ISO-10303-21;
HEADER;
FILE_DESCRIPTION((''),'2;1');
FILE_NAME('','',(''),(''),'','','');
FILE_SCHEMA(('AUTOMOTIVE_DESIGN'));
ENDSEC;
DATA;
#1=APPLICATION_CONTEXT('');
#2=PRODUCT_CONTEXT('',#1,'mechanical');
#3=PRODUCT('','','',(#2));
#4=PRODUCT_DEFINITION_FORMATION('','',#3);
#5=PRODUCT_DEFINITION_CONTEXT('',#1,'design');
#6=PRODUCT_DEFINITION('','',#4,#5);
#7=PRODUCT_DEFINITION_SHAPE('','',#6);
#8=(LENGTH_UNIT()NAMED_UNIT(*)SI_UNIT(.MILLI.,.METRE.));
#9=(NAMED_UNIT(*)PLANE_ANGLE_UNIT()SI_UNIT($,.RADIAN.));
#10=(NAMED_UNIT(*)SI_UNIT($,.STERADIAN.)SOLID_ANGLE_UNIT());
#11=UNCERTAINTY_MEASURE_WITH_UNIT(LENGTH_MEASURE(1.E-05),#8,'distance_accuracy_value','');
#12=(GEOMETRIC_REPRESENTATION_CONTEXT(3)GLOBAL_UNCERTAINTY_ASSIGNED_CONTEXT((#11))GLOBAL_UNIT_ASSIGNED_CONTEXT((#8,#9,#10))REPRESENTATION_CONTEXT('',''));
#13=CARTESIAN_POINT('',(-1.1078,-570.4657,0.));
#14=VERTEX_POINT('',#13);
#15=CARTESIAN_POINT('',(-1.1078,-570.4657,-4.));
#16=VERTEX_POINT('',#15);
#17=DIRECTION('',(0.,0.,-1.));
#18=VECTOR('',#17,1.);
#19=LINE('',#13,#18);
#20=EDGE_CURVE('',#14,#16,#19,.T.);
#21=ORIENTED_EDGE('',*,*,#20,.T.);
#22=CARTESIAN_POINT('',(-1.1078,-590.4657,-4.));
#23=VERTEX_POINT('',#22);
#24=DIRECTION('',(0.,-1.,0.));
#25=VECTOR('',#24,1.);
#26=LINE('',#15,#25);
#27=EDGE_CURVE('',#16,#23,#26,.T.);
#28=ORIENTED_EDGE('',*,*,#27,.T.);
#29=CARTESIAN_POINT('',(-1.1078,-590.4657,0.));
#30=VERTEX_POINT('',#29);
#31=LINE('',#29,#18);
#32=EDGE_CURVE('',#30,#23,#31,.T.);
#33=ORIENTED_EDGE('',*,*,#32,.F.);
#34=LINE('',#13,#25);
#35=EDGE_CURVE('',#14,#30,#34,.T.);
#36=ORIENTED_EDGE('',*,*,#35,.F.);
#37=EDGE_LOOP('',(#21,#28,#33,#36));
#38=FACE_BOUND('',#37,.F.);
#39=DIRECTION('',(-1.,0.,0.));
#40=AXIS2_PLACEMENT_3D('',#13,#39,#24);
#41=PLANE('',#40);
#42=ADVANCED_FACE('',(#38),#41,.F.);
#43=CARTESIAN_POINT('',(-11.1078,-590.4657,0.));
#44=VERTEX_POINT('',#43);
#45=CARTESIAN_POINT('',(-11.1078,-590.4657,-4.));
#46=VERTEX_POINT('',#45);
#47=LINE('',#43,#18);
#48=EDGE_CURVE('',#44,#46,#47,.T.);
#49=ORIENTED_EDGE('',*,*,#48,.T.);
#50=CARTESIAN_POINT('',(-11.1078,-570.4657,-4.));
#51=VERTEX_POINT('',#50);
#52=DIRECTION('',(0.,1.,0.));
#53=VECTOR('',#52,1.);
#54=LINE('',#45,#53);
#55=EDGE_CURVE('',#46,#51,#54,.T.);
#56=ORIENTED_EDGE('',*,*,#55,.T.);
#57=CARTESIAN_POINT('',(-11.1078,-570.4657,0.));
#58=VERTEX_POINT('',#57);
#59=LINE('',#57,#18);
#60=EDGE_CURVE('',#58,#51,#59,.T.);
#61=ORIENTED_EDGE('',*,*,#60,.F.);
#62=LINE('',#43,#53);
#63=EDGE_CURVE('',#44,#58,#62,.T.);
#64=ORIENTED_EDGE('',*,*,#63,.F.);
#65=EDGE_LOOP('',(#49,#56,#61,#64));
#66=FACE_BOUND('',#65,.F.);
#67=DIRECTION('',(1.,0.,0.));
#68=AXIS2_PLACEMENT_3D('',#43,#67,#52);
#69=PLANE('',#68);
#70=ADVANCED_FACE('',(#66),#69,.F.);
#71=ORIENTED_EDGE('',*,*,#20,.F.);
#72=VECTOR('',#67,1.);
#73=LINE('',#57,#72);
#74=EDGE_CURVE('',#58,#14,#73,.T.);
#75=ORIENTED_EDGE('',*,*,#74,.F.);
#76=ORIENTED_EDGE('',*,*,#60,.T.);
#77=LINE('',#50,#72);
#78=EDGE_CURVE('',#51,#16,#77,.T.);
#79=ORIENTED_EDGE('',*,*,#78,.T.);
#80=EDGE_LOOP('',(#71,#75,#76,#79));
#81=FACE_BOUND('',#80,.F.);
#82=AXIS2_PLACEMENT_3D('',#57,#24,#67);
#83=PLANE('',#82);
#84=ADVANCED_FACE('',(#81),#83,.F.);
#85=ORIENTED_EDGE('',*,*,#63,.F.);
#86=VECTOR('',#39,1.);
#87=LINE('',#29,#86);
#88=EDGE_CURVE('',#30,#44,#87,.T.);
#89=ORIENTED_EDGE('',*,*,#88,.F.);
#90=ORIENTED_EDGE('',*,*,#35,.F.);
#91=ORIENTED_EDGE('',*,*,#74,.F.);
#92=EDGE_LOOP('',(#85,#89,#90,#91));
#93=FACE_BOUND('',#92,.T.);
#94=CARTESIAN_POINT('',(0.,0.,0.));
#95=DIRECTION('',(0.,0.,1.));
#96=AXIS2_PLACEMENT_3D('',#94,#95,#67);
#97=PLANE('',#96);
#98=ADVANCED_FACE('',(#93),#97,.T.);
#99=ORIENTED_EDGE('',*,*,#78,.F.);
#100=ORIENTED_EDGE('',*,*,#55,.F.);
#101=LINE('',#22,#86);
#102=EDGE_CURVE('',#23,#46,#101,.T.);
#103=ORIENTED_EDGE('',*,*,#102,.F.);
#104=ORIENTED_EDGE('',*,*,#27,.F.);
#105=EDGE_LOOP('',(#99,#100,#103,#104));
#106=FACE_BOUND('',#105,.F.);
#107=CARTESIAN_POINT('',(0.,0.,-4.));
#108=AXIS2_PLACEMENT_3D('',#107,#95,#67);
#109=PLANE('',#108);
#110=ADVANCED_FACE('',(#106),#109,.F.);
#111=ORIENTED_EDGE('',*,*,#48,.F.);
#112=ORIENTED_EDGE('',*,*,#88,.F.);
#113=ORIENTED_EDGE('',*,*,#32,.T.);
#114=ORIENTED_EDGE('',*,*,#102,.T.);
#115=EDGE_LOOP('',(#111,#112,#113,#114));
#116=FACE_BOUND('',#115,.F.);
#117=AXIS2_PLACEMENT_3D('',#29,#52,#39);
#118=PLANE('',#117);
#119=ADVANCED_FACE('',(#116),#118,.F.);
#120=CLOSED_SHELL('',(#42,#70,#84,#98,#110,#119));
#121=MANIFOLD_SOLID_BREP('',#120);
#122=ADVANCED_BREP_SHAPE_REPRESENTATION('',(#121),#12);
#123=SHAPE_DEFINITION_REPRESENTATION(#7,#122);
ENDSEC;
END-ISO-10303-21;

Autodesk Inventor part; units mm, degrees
ref_plane "YZ Plane" through (0, 0, 0) normal (1, 0, 0) x (0, 1, 0)
ref_plane "XZ Plane" through (0, 0, 0) normal (0, 1, 0) x (-1, 0, 0)
ref_plane "XY Plane" through (0, 0, 0) normal (0, 0, 1) x (1, 0, 0)
ref_plane "Work Plane1" through (0, 0, 0) normal (0, 0, 1) x (1, 0, 0)
sketch "Sketch1" plane through (0, 0, 0) normal (0, 0, 1) x (1, 0, 0)
  line L0 (-11.1078, -570.4657) -> (-1.1078, -570.4657)
  line L1 (-1.1078, -570.4657) -> (-1.1078, -590.4657)
  line L2 (-1.1078, -590.4657) -> (-11.1078, -590.4657)
  line L3 (-11.1078, -590.4657) -> (-11.1078, -570.4657)
  point P0 (0, 0)
  dimension "d0" = 10
  dimension "d1" = 20
extrude "Extrusion1" add sketch "Sketch1" against normal blind 4
sketch "Sketch2" plane through (0, 0, 0) normal (0, 0, 1) x (1, 0, 0)
  line L0 (-11.1078, -570.4657) -> (-1.1078, -570.4657) projected
  line L1 (-11.1078, -590.4657) -> (-11.1078, -570.4657) projected
  line L2 (-1.1078, -590.4657) -> (-11.1078, -590.4657) projected
  line L3 (-1.1078, -570.4657) -> (-1.1078, -590.4657) projected
  line L4 (-11.1078, -590.4657) -> (-1.1078, -570.4657) construction
  line L5 (-11.1078, -570.4657) -> (-1.1078, -590.4657) construction
  point P0 (0, 0)
  point P1 (-6.1078, -580.4657)
hole "Hole1" [suppressed]
properties part number "afstandsstykke kort" material "S235JR"
